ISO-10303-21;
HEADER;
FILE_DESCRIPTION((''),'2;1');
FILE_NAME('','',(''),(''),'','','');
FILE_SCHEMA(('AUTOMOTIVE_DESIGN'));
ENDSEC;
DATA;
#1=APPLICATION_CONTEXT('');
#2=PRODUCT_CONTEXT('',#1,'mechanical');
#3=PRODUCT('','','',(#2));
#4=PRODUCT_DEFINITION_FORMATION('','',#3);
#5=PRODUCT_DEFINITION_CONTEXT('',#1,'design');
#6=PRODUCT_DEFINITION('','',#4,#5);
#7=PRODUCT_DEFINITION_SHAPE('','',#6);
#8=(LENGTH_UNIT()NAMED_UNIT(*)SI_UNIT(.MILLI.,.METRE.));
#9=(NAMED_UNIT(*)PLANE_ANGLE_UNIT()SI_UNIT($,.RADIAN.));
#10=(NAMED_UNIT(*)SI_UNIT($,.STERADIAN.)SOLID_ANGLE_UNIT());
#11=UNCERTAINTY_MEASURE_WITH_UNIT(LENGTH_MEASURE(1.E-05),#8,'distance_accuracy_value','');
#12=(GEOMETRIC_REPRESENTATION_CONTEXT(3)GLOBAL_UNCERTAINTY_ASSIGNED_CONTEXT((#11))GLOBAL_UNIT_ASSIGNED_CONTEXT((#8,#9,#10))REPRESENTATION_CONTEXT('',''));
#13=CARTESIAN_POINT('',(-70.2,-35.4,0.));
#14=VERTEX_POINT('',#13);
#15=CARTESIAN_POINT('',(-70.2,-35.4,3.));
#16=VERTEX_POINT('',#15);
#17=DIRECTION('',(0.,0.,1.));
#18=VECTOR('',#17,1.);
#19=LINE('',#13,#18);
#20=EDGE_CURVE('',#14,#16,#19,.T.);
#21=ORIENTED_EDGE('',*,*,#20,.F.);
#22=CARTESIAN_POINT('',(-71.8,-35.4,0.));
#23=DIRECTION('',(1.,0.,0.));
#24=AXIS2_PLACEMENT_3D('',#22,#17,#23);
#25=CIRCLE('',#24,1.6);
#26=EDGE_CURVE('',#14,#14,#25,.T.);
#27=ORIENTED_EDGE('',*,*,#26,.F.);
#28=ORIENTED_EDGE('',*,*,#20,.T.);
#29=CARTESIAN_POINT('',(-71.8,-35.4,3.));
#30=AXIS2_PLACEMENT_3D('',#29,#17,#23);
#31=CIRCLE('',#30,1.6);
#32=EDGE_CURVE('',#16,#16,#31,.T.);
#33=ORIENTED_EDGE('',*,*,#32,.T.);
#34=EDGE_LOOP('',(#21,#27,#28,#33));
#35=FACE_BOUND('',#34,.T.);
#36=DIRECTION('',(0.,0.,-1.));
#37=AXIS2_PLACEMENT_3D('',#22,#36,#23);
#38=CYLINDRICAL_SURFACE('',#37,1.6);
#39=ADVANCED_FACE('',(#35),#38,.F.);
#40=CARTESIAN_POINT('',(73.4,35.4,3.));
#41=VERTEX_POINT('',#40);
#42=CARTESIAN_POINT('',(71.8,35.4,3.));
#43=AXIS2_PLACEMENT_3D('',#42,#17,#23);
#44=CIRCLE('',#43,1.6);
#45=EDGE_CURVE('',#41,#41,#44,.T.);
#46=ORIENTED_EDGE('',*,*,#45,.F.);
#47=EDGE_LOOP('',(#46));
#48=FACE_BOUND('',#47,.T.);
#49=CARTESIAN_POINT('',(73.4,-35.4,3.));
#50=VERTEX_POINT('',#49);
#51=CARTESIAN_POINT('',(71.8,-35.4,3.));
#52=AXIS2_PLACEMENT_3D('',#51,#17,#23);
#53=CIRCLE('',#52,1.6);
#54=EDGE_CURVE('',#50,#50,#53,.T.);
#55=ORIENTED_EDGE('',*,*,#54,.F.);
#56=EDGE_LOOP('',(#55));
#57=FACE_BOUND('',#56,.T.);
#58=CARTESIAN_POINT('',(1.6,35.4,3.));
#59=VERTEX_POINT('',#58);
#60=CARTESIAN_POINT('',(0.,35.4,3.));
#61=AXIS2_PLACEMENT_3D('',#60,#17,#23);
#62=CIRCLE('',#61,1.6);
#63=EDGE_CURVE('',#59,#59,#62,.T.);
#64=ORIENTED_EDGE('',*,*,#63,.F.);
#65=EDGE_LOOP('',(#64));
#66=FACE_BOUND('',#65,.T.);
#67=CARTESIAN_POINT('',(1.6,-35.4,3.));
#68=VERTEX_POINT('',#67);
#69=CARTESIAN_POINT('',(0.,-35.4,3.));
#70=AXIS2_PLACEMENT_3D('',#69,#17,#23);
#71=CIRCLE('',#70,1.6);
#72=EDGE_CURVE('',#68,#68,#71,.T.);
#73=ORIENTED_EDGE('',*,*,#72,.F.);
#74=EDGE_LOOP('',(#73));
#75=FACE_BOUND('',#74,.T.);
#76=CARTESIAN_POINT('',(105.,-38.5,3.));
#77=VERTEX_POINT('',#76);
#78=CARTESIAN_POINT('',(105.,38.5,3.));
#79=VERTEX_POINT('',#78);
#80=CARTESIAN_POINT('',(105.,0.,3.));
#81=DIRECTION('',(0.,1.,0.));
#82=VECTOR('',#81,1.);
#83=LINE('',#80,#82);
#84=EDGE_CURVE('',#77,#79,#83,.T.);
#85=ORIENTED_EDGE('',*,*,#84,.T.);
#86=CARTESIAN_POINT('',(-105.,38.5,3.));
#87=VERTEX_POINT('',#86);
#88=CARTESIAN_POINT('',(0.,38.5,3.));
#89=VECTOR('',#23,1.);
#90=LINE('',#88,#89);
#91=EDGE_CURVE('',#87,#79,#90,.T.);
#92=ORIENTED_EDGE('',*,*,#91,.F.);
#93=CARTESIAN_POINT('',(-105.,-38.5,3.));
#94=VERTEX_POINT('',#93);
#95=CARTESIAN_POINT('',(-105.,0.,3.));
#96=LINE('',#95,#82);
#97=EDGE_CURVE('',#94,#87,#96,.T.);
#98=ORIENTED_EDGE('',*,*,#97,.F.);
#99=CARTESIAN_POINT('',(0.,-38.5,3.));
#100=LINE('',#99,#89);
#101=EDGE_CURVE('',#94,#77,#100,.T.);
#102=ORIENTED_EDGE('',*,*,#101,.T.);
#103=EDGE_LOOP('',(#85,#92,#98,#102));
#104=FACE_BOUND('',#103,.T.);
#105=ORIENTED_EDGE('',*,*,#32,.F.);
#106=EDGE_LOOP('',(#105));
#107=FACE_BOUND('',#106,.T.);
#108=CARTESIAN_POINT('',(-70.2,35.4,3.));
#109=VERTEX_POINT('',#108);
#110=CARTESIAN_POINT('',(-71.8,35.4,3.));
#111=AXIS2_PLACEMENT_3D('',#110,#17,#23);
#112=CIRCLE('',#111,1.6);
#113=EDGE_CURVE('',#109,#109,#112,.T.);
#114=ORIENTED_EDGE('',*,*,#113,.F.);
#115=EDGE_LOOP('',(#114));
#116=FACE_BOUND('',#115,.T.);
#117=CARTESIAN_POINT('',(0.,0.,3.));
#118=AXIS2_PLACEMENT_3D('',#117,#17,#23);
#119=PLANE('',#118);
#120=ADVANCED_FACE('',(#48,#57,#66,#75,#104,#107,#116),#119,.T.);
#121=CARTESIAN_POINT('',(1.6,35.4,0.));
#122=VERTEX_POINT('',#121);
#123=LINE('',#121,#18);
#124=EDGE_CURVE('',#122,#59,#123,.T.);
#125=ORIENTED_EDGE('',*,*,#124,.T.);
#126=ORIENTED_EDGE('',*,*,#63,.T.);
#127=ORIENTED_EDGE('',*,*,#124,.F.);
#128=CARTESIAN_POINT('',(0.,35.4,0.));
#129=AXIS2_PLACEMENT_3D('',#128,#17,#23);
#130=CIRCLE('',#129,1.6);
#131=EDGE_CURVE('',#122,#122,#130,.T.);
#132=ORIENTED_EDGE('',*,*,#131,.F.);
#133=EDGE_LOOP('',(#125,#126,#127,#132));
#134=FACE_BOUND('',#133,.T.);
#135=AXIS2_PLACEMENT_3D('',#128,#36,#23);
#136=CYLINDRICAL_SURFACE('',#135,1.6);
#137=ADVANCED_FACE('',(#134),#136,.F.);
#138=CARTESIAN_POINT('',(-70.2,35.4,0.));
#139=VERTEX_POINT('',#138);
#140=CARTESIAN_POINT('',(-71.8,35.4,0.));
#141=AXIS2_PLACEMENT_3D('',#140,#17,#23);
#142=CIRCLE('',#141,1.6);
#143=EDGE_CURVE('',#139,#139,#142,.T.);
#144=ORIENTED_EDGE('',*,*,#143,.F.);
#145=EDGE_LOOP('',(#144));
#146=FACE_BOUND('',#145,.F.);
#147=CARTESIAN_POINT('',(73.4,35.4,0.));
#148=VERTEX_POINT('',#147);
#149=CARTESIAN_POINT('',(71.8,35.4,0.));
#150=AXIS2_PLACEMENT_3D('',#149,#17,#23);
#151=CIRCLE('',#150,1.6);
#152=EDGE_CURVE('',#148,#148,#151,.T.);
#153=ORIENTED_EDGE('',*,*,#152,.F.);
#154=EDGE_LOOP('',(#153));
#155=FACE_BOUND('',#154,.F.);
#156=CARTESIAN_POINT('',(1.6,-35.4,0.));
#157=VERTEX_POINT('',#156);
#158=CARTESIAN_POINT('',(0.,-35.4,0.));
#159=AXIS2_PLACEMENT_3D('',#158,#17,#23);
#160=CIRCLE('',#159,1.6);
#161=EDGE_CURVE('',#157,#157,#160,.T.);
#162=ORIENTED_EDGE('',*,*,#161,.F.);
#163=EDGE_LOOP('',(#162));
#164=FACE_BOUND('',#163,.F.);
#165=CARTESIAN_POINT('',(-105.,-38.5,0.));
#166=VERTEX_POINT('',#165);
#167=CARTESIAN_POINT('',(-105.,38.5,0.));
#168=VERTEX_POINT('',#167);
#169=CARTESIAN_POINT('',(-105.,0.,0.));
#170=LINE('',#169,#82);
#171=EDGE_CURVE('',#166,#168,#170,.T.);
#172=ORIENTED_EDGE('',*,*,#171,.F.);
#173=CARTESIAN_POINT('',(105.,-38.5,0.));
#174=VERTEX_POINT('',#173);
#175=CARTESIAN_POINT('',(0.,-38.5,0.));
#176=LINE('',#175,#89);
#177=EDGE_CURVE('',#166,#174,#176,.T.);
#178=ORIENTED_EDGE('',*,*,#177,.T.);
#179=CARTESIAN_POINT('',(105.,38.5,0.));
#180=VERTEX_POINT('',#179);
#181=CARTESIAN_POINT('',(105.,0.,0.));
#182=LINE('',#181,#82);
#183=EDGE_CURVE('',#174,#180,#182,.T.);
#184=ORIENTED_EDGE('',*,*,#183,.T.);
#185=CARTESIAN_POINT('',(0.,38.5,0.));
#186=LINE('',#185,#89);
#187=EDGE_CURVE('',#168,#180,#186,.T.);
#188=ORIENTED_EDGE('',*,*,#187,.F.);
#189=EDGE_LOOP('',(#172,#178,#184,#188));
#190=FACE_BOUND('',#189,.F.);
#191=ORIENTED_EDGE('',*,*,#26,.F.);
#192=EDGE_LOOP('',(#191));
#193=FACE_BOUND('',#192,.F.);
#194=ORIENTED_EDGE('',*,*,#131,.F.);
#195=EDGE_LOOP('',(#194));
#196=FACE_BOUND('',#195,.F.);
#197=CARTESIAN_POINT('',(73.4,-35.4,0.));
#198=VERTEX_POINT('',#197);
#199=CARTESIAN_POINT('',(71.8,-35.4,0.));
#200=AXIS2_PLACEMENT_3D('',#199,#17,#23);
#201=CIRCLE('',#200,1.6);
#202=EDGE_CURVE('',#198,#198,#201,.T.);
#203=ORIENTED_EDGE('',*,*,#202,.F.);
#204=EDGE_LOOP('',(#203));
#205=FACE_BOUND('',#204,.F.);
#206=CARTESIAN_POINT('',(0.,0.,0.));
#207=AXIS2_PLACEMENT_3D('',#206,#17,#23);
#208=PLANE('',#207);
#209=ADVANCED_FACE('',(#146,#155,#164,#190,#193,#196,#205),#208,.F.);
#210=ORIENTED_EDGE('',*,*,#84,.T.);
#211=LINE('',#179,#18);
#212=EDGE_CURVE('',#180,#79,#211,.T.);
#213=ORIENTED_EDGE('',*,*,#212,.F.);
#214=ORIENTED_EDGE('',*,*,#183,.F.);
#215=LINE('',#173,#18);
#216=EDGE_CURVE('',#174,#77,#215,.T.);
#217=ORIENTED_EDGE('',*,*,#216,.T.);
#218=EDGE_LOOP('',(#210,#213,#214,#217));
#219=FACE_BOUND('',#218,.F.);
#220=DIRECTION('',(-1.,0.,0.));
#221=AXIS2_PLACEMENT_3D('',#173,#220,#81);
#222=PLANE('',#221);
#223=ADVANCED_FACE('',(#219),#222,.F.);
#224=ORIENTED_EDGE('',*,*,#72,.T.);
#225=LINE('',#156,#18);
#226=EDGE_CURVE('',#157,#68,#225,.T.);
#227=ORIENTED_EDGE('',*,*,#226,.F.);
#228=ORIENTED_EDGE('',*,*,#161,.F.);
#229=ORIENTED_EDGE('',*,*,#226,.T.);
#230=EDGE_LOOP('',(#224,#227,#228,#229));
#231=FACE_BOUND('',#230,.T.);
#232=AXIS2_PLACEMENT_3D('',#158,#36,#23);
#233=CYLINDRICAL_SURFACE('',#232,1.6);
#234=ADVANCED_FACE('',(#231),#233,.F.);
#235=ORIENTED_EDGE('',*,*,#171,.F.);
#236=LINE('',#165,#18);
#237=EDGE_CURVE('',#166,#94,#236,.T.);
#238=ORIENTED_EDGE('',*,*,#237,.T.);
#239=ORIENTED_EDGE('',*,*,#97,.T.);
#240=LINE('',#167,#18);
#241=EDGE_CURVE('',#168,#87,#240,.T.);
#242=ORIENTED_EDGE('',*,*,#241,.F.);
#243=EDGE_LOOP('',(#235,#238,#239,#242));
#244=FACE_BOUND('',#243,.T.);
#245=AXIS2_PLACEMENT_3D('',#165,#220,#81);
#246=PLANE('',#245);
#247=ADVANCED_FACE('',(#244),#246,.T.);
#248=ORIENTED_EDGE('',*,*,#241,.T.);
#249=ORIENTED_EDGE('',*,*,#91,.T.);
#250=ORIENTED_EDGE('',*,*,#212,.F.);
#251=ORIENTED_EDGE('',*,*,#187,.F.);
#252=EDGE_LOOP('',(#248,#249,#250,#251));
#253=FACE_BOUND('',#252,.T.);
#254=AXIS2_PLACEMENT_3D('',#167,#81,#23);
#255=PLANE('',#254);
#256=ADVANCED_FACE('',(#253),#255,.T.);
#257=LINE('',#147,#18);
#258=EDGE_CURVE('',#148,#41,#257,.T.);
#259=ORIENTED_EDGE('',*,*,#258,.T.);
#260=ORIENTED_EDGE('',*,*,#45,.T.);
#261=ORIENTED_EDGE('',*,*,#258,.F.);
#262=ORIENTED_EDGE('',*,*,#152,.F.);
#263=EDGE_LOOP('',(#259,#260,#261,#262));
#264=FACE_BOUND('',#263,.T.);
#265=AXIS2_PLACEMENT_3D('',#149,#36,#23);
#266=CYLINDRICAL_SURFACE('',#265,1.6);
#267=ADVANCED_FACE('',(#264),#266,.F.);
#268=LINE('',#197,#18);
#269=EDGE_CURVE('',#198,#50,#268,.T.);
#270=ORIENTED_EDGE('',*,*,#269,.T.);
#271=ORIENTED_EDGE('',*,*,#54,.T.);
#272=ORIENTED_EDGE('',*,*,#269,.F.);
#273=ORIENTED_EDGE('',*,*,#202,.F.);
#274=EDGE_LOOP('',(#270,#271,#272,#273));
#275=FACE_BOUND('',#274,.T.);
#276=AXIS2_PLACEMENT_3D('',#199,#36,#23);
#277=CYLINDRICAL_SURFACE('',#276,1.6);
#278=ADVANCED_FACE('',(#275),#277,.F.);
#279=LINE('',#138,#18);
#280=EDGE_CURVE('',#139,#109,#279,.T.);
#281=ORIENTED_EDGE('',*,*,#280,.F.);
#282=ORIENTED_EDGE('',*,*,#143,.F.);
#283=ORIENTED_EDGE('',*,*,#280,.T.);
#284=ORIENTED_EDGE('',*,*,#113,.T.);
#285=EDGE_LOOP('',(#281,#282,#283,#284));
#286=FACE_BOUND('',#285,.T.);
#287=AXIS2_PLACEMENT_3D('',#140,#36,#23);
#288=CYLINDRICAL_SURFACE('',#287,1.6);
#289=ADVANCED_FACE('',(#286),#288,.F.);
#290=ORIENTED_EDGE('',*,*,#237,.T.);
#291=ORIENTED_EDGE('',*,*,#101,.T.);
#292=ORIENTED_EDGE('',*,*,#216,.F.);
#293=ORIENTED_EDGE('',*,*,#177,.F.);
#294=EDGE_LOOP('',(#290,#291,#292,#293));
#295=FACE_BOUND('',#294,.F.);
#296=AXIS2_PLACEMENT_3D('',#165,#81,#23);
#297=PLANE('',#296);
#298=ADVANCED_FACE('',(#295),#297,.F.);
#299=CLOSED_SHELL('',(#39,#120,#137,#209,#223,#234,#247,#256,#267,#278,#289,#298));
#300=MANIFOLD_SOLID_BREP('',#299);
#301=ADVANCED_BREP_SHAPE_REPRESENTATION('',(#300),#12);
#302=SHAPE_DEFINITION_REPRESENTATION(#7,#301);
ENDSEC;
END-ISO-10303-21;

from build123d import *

# Parameters (mm, degrees)
CROQUIS1_W              = 210
CROQUIS1_H              = 77
CROQUIS1_R              = 1.6
SALIENTE_EXTRUIR1_DEPTH = 3


with BuildPart() as part:
    # Croquis1 → Saliente-Extruir1 (new body)
    with BuildSketch(Plane.XY):
        Rectangle(CROQUIS1_W, CROQUIS1_H)
        with Locations((0, 35.4)):
            Circle(CROQUIS1_R, mode=Mode.SUBTRACT)
        with Locations((-71.8, 35.4)):
            Circle(CROQUIS1_R, mode=Mode.SUBTRACT)
        with Locations((71.8, 35.4)):
            Circle(CROQUIS1_R, mode=Mode.SUBTRACT)
        with Locations((71.8, -35.4)):
            Circle(CROQUIS1_R, mode=Mode.SUBTRACT)
        with Locations((0, -35.4)):
            Circle(CROQUIS1_R, mode=Mode.SUBTRACT)
        with Locations((-71.8, -35.4)):
            Circle(CROQUIS1_R, mode=Mode.SUBTRACT)
    extrude(amount=SALIENTE_EXTRUIR1_DEPTH)


solid = part.part
